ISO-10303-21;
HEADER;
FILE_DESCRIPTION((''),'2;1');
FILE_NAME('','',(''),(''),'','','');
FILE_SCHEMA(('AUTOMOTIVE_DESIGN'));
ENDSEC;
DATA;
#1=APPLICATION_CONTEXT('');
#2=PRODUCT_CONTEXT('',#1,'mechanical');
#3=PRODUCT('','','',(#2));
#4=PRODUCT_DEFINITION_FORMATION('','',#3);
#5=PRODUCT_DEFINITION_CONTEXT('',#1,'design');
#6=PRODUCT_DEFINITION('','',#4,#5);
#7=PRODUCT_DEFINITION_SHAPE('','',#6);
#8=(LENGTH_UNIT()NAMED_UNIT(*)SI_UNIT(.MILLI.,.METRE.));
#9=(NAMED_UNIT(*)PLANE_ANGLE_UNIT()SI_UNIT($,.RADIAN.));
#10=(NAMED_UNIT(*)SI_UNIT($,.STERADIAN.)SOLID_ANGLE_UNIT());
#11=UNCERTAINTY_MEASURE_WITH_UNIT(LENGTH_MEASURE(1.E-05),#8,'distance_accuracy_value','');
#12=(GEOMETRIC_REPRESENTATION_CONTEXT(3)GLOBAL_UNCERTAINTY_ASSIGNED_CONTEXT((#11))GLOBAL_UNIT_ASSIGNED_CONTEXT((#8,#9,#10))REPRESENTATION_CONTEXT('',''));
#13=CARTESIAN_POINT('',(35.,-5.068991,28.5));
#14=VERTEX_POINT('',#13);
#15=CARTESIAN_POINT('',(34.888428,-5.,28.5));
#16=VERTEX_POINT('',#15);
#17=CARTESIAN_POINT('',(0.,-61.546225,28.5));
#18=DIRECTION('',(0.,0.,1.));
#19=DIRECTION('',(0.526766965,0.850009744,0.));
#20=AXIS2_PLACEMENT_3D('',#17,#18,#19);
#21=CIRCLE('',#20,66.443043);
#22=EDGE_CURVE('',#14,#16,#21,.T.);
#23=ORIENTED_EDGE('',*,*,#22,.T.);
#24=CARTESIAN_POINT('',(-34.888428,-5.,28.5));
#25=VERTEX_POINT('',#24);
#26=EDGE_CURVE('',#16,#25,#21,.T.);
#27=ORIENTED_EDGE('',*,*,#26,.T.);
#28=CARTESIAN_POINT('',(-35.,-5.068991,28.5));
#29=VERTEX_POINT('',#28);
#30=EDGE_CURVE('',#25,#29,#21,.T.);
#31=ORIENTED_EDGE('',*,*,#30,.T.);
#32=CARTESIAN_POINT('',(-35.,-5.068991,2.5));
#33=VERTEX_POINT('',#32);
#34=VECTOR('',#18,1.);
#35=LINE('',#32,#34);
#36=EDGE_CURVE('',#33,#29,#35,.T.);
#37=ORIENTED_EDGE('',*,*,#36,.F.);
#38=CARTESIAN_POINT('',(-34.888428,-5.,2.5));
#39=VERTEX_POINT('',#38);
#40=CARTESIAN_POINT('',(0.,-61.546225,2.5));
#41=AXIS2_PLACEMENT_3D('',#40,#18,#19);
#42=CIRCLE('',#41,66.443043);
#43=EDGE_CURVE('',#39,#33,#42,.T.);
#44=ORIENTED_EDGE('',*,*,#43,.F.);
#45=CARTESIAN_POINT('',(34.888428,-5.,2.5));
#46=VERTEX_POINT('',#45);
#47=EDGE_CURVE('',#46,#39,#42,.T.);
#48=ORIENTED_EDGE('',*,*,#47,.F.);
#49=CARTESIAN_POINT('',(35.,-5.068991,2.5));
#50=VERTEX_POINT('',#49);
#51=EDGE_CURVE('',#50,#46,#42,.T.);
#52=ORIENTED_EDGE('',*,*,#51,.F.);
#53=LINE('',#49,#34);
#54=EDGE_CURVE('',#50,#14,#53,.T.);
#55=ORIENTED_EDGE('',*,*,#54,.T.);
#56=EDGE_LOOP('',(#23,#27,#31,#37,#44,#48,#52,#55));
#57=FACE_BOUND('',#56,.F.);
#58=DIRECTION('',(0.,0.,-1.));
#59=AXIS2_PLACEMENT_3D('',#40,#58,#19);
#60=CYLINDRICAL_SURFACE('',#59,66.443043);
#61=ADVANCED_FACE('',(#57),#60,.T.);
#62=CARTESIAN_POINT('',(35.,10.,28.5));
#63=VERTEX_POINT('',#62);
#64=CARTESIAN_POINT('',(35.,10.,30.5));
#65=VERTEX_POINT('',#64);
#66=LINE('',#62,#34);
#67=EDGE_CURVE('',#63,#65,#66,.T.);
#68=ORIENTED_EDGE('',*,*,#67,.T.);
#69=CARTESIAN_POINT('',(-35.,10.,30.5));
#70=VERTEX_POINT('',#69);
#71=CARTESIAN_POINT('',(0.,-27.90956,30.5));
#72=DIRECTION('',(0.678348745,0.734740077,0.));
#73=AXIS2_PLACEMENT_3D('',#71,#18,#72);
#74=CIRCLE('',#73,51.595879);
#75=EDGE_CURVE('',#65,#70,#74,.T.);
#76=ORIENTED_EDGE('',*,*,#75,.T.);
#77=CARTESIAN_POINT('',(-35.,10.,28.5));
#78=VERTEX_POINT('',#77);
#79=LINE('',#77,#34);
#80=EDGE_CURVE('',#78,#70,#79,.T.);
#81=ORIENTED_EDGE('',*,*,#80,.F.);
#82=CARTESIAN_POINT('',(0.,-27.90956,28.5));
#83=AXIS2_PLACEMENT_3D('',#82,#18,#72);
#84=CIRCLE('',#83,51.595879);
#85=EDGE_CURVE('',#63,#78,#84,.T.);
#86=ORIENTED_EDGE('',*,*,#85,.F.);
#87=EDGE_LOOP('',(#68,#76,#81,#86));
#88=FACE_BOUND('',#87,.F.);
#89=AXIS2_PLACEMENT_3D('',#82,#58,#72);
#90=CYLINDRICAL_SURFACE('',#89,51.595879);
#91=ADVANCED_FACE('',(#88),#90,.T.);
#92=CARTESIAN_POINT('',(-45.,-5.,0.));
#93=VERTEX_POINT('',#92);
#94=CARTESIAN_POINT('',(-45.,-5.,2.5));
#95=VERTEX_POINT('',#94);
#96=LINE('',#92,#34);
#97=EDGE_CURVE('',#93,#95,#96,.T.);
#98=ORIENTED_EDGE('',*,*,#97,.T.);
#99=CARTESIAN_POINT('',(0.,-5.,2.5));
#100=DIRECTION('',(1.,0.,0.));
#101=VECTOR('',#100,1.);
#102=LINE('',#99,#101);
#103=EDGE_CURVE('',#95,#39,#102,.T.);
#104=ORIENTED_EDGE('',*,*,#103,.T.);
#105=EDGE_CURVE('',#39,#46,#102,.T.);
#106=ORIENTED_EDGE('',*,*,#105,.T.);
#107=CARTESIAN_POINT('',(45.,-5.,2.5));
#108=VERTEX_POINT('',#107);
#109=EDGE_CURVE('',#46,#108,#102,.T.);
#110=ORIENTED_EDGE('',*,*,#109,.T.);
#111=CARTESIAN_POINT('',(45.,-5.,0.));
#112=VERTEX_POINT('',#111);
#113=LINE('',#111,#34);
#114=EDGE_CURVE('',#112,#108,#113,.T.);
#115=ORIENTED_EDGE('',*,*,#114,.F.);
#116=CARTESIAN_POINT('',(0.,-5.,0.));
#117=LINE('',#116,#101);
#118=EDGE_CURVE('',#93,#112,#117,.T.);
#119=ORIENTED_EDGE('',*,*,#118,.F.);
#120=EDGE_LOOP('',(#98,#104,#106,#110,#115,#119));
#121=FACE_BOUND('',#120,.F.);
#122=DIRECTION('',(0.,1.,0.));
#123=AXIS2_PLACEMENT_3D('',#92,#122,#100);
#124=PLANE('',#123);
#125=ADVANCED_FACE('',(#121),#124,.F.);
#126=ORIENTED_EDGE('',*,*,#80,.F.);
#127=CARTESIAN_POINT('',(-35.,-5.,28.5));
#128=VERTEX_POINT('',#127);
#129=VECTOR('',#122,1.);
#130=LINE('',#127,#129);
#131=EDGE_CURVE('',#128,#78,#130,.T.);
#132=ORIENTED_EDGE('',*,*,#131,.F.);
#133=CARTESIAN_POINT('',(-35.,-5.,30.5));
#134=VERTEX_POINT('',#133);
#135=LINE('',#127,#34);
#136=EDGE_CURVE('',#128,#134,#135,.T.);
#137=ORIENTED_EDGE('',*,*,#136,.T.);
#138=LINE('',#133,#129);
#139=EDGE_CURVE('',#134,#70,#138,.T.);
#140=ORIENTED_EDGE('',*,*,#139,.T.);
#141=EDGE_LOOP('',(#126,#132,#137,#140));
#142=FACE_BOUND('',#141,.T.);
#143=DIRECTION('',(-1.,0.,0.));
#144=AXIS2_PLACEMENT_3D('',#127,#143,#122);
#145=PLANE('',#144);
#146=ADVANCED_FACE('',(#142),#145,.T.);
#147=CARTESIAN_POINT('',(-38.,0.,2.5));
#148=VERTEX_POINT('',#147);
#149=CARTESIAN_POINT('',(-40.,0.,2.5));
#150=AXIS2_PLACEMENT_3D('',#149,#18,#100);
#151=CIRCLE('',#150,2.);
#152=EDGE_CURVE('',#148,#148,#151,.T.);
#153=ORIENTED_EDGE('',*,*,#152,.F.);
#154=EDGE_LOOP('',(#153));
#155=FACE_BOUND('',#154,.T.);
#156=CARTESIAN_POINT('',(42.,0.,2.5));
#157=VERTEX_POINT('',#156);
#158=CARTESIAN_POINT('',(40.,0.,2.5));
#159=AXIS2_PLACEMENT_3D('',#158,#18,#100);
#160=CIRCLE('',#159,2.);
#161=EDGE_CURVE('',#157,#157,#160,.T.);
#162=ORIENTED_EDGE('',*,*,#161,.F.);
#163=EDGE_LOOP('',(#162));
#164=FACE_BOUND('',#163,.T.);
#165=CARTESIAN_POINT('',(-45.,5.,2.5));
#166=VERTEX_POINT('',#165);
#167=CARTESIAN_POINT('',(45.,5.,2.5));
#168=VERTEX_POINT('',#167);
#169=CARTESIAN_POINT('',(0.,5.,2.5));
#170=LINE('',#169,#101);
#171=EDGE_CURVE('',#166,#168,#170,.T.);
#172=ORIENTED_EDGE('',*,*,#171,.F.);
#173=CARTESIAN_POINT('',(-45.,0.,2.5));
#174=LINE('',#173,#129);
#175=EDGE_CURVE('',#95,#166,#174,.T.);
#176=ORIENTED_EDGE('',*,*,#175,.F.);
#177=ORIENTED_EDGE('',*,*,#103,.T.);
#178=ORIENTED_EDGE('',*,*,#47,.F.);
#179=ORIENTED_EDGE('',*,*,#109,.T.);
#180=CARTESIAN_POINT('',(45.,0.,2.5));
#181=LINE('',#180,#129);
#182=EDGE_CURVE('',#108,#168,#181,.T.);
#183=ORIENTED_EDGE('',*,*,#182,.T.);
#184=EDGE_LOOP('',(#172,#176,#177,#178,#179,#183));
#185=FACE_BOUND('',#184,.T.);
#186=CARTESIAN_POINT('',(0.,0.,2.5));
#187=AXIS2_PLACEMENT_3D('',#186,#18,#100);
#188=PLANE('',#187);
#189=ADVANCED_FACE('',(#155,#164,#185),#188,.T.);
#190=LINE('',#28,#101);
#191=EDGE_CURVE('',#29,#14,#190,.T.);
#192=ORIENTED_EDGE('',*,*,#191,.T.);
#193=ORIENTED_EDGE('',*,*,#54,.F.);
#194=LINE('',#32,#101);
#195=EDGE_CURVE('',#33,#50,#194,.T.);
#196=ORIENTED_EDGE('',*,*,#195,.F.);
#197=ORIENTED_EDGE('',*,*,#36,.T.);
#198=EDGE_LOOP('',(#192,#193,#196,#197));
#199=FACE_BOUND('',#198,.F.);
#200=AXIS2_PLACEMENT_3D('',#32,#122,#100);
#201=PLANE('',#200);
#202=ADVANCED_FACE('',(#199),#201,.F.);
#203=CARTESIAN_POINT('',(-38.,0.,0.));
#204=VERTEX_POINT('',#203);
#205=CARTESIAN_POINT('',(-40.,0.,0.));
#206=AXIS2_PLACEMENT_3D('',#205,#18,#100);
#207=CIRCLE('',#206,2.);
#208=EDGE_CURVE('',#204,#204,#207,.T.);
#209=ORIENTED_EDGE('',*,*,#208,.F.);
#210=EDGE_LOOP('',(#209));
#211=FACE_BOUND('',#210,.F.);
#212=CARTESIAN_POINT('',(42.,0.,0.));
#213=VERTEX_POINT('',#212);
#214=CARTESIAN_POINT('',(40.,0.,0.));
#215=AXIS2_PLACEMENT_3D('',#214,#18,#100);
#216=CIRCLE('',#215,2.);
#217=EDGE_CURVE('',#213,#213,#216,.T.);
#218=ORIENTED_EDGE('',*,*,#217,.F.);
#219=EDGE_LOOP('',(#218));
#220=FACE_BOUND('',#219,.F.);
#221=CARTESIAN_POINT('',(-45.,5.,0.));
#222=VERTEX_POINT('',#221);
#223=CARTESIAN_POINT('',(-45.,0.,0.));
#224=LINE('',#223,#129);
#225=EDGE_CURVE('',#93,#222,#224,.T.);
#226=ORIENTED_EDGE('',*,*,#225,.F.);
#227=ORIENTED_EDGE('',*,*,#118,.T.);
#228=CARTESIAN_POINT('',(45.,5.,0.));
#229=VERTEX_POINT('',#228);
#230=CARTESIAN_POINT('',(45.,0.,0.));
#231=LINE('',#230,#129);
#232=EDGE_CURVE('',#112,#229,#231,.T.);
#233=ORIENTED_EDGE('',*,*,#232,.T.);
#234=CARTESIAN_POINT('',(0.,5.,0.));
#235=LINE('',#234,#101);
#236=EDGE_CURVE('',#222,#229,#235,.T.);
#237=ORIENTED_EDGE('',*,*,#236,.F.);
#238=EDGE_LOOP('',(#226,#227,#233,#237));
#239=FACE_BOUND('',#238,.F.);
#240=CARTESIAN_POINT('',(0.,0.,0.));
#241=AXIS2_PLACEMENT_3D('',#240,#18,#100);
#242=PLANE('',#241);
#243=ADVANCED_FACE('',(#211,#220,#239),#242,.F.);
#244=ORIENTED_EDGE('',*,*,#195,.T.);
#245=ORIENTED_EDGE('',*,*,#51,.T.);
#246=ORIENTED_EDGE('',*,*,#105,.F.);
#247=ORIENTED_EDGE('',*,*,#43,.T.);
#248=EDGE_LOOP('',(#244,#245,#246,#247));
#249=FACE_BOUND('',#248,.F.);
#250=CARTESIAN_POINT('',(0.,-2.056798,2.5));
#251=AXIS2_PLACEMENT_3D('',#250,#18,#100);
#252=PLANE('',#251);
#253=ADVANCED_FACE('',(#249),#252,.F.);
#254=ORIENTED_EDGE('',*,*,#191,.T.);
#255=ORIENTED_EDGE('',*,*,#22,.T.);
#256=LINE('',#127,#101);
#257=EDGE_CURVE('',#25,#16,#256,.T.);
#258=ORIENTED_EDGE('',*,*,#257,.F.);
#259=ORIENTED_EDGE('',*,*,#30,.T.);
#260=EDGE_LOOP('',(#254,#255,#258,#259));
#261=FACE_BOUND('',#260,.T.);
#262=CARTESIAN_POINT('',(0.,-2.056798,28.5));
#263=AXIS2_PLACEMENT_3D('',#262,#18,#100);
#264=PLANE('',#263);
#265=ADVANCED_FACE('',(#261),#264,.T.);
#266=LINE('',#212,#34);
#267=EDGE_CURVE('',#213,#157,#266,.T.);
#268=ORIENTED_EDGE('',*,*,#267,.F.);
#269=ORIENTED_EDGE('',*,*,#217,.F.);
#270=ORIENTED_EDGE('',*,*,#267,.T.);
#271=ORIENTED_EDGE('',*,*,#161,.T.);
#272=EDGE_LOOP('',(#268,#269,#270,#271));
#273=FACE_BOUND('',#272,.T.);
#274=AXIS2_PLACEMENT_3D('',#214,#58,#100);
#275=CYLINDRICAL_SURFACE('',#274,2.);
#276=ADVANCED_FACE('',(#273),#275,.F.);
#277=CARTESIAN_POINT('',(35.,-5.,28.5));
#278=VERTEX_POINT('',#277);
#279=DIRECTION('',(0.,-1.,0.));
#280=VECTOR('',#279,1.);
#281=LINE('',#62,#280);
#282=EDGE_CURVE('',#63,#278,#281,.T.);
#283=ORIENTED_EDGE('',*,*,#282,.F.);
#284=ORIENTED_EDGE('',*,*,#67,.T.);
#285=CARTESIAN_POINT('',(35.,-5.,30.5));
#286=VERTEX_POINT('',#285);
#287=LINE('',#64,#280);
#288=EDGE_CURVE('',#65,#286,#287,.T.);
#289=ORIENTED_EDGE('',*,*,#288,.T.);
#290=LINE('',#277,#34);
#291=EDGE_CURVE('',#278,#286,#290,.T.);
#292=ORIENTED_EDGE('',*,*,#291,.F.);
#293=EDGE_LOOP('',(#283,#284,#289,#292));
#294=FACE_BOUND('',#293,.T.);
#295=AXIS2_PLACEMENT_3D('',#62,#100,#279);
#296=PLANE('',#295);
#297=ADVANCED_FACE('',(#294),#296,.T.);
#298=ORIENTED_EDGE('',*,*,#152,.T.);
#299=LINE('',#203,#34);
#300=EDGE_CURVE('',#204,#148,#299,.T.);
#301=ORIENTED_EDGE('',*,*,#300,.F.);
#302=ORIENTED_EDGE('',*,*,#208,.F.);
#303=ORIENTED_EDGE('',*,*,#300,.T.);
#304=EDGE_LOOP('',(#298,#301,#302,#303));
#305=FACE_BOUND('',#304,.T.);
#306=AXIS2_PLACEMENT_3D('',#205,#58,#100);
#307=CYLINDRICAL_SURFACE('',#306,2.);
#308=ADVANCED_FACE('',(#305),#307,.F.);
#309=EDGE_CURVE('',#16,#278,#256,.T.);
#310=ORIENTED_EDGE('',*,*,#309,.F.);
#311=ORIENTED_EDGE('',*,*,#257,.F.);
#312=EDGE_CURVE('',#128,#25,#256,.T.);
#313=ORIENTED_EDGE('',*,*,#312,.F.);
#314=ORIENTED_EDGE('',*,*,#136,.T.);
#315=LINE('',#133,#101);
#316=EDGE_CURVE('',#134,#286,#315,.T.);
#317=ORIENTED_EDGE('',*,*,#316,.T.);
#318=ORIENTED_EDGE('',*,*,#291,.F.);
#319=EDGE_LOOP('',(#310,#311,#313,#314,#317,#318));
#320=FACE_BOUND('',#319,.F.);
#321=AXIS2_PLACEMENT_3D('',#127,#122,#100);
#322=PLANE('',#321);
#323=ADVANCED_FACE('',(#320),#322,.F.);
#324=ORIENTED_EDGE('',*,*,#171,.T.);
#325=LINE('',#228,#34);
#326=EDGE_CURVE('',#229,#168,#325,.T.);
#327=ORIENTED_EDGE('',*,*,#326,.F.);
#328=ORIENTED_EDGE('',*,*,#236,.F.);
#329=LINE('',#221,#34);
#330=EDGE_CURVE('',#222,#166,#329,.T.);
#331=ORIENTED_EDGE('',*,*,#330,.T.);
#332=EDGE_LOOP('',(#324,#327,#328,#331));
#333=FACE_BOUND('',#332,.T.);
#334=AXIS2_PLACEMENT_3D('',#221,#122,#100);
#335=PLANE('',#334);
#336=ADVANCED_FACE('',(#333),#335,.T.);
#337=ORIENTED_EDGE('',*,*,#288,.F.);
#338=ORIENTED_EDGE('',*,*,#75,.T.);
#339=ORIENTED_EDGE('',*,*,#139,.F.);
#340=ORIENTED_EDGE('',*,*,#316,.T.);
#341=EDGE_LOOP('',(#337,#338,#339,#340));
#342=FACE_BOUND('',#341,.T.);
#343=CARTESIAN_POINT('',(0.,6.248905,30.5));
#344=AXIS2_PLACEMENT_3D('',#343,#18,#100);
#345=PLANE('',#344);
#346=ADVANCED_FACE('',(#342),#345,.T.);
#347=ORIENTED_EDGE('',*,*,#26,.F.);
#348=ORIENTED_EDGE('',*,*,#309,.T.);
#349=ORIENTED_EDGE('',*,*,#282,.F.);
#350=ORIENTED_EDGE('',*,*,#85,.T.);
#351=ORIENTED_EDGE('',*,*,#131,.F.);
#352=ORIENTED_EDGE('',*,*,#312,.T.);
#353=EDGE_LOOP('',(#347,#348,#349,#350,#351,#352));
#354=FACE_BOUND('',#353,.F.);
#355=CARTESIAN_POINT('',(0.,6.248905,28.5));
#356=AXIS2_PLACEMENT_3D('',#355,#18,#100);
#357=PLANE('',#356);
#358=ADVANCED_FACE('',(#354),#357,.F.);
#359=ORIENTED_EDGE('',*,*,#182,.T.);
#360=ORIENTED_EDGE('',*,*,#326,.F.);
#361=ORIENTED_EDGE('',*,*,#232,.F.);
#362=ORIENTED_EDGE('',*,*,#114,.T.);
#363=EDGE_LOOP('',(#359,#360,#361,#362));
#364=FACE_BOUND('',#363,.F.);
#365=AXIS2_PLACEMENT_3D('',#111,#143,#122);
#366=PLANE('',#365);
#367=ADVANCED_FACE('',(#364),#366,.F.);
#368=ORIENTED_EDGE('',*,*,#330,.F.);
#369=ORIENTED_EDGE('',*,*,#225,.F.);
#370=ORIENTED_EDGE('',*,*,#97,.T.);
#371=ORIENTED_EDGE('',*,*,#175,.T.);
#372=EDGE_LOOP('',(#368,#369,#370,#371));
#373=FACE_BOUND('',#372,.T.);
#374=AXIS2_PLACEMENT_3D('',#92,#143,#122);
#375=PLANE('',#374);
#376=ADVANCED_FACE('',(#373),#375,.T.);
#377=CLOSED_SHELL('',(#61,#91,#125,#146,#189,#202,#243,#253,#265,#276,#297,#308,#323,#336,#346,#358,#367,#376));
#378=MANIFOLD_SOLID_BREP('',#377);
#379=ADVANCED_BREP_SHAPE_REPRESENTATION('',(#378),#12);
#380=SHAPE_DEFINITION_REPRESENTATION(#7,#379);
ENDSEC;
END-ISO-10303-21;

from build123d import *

# Parameters (mm, degrees)
SKETCH_W     = 90
SKETCH_H     = 10
SKETCH_R     = 2
PAD_DEPTH    = 2.5
PAD001_DEPTH = 26
PAD002_DEPTH = 2


with BuildPart() as part:
    # Sketch → Pad (new body)
    with BuildSketch(Plane.XY):
        Rectangle(SKETCH_W, SKETCH_H)
        with Locations((-40, 0)):
            Circle(SKETCH_R, mode=Mode.SUBTRACT)
        with Locations((40, 0)):
            Circle(SKETCH_R, mode=Mode.SUBTRACT)
    extrude(amount=PAD_DEPTH)

    # Sketch001 → Pad001 (new body)
    with BuildSketch(Plane.XY.offset(2.5)):
        with BuildLine():
            ThreePointArc((35, -5.068991), (0, 4.896818), (-35, -5.068991))
            Line((-35, -5.068991), (35, -5.068991))
        make_face()
    extrude(amount=PAD001_DEPTH)

    # Sketch002 → Pad002 (new body)
    with BuildSketch(Plane.XY.offset(28.5)):
        with BuildLine():
            ThreePointArc((35, 10), (0, 23.686319), (-35, 10))
            Line((-35, -5), (-35, 10))
            Line((-35, -5), (35, -5))
            Line((35, 10), (35, -5))
        make_face()
    extrude(amount=PAD002_DEPTH)


solid = part.part
